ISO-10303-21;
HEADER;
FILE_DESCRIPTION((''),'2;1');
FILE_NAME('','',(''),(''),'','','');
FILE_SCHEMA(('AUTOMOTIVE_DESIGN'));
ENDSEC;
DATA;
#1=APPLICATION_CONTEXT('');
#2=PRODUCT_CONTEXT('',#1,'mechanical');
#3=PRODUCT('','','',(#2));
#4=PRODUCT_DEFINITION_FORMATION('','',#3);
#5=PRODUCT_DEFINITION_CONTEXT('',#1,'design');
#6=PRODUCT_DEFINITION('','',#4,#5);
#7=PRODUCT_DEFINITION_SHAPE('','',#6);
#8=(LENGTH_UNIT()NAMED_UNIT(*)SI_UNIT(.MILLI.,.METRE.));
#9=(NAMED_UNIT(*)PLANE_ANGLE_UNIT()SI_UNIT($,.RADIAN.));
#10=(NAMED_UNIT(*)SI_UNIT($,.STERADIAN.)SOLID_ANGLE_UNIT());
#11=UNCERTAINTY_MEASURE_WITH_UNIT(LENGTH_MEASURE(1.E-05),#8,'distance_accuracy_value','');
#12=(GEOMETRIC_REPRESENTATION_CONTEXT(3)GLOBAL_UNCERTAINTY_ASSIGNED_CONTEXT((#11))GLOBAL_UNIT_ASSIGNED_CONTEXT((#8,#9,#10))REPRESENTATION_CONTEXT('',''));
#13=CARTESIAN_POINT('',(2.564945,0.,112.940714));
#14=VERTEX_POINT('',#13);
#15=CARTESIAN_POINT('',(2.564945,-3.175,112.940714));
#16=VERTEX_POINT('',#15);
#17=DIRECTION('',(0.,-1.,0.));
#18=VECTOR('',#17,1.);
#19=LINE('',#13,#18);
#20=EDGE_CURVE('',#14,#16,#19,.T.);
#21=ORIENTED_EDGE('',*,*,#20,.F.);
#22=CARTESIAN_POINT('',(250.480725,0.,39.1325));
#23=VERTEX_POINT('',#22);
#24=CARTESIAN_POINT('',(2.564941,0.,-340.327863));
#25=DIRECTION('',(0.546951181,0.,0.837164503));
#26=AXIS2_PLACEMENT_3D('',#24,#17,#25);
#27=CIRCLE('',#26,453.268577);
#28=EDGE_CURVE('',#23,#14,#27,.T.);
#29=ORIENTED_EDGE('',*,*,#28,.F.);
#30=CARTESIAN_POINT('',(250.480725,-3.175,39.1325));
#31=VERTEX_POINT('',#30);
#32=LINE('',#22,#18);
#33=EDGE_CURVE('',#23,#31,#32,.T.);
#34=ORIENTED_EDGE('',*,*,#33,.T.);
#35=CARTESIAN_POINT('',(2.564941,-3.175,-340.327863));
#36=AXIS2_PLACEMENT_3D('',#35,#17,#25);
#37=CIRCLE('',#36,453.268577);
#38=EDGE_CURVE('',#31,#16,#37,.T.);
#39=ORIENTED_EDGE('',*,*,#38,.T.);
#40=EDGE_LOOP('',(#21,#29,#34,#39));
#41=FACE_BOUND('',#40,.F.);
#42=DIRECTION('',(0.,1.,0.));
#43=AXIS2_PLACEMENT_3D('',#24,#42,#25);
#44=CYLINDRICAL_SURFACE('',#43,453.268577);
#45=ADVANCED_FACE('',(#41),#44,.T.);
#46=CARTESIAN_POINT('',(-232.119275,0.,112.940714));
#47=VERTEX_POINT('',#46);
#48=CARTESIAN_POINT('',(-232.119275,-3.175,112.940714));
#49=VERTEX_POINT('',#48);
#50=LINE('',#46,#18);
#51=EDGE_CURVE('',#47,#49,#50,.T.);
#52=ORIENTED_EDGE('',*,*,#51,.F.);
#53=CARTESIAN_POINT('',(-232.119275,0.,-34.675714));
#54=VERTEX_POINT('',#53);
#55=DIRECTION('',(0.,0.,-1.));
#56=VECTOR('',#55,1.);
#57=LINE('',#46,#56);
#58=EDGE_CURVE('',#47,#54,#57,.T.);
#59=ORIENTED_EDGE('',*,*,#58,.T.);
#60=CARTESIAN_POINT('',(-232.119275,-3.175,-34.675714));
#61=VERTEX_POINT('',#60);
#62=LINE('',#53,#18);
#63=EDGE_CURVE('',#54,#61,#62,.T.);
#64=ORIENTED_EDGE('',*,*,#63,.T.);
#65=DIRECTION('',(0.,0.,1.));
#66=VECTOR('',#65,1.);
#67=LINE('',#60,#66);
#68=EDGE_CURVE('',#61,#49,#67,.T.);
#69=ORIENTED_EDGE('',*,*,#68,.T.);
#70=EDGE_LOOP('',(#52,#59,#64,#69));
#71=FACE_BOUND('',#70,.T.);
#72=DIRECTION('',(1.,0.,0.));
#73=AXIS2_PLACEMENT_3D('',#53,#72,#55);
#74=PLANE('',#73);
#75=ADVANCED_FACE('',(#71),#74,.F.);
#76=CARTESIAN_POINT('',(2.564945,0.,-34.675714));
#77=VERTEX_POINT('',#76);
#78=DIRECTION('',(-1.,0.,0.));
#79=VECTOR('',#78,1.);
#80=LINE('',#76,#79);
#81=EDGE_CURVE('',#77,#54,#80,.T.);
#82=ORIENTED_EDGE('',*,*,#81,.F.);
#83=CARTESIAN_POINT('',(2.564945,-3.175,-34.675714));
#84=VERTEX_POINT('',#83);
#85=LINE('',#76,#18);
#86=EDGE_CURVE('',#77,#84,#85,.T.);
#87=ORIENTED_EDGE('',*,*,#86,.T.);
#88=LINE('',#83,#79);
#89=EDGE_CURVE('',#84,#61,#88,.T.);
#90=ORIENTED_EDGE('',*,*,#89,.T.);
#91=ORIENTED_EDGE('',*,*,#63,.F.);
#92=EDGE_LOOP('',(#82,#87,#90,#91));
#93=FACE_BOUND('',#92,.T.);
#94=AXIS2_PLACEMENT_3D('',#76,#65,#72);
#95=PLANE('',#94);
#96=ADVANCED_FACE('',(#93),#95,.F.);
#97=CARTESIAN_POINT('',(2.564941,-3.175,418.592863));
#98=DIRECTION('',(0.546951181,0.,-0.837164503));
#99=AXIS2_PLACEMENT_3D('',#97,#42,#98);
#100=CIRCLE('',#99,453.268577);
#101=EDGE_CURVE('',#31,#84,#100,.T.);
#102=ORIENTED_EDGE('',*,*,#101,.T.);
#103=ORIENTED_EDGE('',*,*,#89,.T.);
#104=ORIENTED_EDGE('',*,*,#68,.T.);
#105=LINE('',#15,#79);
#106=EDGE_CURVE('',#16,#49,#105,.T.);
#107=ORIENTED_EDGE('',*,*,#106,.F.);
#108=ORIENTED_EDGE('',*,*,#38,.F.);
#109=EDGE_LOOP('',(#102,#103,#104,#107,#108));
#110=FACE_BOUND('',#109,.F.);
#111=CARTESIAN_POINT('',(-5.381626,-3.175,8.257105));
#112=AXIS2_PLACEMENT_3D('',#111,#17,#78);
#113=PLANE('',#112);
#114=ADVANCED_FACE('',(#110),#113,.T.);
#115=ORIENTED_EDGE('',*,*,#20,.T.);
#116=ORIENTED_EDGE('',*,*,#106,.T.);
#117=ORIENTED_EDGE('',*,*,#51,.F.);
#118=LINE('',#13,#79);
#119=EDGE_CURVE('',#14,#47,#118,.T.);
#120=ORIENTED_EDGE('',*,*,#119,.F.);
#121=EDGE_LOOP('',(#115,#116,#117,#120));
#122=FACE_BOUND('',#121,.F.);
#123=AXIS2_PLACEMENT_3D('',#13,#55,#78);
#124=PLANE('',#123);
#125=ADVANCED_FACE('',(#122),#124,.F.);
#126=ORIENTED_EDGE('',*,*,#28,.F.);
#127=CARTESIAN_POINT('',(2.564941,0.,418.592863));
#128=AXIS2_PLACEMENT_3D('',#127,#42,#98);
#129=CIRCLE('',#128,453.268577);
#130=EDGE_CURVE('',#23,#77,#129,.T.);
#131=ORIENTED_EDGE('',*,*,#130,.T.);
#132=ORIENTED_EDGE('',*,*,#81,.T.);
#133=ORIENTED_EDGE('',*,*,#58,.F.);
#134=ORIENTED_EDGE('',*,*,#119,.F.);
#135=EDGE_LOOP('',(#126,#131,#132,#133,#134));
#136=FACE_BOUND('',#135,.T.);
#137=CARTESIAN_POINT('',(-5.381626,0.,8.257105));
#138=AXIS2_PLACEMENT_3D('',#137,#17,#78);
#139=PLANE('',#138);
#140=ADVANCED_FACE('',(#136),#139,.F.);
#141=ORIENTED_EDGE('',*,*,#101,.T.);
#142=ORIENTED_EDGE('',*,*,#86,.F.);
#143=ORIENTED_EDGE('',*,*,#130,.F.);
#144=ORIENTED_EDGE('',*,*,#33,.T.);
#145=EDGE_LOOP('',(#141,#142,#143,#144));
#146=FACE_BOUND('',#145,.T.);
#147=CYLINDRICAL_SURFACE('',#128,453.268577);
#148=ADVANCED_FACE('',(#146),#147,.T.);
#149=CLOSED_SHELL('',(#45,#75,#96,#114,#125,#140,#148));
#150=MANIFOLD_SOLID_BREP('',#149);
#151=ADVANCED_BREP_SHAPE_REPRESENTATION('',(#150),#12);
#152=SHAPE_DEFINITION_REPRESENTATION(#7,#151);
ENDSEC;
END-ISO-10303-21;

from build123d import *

# Parameters (mm, degrees)
F1_DEPTH = 3.175


with BuildPart() as f1:
    # F0 (on Front) → F1 (new body)
    with BuildSketch(Plane.XZ):
        with BuildLine():
            Line((-232.119275, 112.940714), (-232.119275, 39.1325))
            Line((-232.119275, 39.1325), (250.480725, 39.1325))
            ThreePointArc((250.480725, 39.1325), (131.899672, 94.096964), (2.564945, 112.940714))
            Line((2.564945, 112.940714), (-232.119275, 112.940714))
        make_face()
    extrude(amount=F1_DEPTH)

    # F2: F1 across face


with BuildPart() as f1_1:
    add(f1.part)
    add(f1.part.mirror(Plane(origin=(9.180725, -1.5875, 39.1325), x_dir=(1, 0, 0), z_dir=(0, 0, -1))))


solid = f1_1.part
